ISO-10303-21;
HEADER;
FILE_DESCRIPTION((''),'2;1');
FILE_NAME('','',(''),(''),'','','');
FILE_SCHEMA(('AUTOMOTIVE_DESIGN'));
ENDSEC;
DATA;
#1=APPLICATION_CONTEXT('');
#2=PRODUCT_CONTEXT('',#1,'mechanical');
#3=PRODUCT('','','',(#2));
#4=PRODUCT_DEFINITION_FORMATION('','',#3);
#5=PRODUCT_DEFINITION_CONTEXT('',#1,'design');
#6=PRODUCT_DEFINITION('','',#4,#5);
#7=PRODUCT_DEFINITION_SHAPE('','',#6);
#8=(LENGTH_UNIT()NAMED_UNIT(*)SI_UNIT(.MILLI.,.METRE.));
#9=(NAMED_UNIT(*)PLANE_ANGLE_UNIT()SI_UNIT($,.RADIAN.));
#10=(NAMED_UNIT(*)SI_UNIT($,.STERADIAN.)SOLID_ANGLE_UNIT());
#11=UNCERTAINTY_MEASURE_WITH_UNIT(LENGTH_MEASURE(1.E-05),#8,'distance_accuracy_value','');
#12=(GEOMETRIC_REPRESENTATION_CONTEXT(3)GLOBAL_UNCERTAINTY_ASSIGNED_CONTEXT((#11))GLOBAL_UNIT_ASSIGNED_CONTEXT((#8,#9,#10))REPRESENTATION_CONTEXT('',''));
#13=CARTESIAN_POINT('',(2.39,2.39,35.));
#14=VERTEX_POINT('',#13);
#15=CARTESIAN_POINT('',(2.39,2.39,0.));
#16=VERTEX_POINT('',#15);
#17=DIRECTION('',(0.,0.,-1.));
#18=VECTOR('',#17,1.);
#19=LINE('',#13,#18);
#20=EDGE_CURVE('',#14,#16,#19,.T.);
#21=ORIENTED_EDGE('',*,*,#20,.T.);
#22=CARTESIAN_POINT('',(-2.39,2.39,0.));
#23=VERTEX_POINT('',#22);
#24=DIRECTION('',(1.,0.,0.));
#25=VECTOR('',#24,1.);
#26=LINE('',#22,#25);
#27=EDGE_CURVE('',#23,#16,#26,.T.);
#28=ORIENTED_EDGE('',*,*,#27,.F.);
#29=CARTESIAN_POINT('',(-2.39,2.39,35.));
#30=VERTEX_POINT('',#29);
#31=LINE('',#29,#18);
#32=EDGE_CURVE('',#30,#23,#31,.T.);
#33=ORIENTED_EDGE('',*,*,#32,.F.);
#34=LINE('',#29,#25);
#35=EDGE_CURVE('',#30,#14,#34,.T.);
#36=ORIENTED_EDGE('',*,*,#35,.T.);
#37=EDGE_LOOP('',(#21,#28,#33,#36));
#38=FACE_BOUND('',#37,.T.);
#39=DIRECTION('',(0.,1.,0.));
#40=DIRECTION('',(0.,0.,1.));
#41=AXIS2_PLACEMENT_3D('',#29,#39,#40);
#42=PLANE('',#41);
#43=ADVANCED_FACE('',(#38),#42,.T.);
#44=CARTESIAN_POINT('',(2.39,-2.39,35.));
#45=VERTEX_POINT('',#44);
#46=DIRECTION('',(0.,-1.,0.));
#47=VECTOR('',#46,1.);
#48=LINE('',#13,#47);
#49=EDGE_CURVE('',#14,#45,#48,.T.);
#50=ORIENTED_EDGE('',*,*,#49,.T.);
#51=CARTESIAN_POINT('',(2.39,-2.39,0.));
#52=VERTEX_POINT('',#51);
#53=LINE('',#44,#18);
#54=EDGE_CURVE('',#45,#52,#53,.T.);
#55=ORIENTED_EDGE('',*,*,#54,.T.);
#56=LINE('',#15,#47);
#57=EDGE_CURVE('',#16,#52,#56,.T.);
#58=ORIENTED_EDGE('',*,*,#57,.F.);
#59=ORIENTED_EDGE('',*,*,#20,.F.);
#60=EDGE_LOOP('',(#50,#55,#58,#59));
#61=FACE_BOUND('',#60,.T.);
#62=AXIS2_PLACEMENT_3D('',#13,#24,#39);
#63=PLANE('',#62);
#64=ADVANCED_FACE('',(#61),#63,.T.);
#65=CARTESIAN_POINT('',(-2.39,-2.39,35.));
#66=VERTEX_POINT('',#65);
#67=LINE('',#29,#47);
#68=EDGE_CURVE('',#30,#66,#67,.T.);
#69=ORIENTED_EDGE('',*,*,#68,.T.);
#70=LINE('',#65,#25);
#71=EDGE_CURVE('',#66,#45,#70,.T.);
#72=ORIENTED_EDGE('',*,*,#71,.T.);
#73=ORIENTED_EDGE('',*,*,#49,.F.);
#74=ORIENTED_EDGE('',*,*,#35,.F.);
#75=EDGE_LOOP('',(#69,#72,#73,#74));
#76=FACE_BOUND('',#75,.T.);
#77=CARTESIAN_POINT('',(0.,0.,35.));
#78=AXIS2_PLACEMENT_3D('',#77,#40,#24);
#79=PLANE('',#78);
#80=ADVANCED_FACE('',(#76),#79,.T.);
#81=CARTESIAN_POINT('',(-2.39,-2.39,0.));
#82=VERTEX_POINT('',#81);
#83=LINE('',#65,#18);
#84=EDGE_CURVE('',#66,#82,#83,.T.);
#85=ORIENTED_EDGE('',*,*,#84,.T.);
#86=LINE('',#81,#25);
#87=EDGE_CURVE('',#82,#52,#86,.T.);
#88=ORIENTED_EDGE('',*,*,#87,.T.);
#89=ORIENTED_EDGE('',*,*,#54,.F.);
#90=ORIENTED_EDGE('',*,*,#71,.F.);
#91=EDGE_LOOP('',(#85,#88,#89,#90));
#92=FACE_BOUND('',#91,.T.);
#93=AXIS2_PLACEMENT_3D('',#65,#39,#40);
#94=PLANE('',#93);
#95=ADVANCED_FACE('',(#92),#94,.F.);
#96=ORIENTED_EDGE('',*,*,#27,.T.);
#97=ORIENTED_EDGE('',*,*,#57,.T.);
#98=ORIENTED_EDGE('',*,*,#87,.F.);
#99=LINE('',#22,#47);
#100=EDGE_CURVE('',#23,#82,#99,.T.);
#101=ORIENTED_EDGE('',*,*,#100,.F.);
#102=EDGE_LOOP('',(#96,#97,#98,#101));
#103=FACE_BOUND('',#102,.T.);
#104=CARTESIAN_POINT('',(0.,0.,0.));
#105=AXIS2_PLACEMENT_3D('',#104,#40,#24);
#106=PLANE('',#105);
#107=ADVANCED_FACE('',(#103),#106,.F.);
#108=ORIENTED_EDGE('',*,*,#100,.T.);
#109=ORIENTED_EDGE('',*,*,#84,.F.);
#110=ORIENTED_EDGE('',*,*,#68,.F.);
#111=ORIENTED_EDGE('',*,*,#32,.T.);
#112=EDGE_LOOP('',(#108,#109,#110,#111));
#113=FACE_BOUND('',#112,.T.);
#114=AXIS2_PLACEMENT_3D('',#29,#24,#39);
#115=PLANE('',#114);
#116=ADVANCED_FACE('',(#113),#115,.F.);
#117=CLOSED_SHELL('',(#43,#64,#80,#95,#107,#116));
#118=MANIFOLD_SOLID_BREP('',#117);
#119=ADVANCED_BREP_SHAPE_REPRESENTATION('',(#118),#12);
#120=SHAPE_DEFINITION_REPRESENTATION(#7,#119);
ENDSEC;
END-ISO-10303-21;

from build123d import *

# Parameters (mm, degrees)
SZKIC1_W                    = 4.78
SZKIC1_H                    = 4.78
DODANIE_WYCI_GNI_CIE1_DEPTH = 35


with BuildPart() as part:
    # Szkic1 → Dodanie-wyciągnięcie1 (new body)
    with BuildSketch(Plane.XY):
        Rectangle(SZKIC1_W, SZKIC1_H)
    extrude(amount=DODANIE_WYCI_GNI_CIE1_DEPTH)


solid = part.part
